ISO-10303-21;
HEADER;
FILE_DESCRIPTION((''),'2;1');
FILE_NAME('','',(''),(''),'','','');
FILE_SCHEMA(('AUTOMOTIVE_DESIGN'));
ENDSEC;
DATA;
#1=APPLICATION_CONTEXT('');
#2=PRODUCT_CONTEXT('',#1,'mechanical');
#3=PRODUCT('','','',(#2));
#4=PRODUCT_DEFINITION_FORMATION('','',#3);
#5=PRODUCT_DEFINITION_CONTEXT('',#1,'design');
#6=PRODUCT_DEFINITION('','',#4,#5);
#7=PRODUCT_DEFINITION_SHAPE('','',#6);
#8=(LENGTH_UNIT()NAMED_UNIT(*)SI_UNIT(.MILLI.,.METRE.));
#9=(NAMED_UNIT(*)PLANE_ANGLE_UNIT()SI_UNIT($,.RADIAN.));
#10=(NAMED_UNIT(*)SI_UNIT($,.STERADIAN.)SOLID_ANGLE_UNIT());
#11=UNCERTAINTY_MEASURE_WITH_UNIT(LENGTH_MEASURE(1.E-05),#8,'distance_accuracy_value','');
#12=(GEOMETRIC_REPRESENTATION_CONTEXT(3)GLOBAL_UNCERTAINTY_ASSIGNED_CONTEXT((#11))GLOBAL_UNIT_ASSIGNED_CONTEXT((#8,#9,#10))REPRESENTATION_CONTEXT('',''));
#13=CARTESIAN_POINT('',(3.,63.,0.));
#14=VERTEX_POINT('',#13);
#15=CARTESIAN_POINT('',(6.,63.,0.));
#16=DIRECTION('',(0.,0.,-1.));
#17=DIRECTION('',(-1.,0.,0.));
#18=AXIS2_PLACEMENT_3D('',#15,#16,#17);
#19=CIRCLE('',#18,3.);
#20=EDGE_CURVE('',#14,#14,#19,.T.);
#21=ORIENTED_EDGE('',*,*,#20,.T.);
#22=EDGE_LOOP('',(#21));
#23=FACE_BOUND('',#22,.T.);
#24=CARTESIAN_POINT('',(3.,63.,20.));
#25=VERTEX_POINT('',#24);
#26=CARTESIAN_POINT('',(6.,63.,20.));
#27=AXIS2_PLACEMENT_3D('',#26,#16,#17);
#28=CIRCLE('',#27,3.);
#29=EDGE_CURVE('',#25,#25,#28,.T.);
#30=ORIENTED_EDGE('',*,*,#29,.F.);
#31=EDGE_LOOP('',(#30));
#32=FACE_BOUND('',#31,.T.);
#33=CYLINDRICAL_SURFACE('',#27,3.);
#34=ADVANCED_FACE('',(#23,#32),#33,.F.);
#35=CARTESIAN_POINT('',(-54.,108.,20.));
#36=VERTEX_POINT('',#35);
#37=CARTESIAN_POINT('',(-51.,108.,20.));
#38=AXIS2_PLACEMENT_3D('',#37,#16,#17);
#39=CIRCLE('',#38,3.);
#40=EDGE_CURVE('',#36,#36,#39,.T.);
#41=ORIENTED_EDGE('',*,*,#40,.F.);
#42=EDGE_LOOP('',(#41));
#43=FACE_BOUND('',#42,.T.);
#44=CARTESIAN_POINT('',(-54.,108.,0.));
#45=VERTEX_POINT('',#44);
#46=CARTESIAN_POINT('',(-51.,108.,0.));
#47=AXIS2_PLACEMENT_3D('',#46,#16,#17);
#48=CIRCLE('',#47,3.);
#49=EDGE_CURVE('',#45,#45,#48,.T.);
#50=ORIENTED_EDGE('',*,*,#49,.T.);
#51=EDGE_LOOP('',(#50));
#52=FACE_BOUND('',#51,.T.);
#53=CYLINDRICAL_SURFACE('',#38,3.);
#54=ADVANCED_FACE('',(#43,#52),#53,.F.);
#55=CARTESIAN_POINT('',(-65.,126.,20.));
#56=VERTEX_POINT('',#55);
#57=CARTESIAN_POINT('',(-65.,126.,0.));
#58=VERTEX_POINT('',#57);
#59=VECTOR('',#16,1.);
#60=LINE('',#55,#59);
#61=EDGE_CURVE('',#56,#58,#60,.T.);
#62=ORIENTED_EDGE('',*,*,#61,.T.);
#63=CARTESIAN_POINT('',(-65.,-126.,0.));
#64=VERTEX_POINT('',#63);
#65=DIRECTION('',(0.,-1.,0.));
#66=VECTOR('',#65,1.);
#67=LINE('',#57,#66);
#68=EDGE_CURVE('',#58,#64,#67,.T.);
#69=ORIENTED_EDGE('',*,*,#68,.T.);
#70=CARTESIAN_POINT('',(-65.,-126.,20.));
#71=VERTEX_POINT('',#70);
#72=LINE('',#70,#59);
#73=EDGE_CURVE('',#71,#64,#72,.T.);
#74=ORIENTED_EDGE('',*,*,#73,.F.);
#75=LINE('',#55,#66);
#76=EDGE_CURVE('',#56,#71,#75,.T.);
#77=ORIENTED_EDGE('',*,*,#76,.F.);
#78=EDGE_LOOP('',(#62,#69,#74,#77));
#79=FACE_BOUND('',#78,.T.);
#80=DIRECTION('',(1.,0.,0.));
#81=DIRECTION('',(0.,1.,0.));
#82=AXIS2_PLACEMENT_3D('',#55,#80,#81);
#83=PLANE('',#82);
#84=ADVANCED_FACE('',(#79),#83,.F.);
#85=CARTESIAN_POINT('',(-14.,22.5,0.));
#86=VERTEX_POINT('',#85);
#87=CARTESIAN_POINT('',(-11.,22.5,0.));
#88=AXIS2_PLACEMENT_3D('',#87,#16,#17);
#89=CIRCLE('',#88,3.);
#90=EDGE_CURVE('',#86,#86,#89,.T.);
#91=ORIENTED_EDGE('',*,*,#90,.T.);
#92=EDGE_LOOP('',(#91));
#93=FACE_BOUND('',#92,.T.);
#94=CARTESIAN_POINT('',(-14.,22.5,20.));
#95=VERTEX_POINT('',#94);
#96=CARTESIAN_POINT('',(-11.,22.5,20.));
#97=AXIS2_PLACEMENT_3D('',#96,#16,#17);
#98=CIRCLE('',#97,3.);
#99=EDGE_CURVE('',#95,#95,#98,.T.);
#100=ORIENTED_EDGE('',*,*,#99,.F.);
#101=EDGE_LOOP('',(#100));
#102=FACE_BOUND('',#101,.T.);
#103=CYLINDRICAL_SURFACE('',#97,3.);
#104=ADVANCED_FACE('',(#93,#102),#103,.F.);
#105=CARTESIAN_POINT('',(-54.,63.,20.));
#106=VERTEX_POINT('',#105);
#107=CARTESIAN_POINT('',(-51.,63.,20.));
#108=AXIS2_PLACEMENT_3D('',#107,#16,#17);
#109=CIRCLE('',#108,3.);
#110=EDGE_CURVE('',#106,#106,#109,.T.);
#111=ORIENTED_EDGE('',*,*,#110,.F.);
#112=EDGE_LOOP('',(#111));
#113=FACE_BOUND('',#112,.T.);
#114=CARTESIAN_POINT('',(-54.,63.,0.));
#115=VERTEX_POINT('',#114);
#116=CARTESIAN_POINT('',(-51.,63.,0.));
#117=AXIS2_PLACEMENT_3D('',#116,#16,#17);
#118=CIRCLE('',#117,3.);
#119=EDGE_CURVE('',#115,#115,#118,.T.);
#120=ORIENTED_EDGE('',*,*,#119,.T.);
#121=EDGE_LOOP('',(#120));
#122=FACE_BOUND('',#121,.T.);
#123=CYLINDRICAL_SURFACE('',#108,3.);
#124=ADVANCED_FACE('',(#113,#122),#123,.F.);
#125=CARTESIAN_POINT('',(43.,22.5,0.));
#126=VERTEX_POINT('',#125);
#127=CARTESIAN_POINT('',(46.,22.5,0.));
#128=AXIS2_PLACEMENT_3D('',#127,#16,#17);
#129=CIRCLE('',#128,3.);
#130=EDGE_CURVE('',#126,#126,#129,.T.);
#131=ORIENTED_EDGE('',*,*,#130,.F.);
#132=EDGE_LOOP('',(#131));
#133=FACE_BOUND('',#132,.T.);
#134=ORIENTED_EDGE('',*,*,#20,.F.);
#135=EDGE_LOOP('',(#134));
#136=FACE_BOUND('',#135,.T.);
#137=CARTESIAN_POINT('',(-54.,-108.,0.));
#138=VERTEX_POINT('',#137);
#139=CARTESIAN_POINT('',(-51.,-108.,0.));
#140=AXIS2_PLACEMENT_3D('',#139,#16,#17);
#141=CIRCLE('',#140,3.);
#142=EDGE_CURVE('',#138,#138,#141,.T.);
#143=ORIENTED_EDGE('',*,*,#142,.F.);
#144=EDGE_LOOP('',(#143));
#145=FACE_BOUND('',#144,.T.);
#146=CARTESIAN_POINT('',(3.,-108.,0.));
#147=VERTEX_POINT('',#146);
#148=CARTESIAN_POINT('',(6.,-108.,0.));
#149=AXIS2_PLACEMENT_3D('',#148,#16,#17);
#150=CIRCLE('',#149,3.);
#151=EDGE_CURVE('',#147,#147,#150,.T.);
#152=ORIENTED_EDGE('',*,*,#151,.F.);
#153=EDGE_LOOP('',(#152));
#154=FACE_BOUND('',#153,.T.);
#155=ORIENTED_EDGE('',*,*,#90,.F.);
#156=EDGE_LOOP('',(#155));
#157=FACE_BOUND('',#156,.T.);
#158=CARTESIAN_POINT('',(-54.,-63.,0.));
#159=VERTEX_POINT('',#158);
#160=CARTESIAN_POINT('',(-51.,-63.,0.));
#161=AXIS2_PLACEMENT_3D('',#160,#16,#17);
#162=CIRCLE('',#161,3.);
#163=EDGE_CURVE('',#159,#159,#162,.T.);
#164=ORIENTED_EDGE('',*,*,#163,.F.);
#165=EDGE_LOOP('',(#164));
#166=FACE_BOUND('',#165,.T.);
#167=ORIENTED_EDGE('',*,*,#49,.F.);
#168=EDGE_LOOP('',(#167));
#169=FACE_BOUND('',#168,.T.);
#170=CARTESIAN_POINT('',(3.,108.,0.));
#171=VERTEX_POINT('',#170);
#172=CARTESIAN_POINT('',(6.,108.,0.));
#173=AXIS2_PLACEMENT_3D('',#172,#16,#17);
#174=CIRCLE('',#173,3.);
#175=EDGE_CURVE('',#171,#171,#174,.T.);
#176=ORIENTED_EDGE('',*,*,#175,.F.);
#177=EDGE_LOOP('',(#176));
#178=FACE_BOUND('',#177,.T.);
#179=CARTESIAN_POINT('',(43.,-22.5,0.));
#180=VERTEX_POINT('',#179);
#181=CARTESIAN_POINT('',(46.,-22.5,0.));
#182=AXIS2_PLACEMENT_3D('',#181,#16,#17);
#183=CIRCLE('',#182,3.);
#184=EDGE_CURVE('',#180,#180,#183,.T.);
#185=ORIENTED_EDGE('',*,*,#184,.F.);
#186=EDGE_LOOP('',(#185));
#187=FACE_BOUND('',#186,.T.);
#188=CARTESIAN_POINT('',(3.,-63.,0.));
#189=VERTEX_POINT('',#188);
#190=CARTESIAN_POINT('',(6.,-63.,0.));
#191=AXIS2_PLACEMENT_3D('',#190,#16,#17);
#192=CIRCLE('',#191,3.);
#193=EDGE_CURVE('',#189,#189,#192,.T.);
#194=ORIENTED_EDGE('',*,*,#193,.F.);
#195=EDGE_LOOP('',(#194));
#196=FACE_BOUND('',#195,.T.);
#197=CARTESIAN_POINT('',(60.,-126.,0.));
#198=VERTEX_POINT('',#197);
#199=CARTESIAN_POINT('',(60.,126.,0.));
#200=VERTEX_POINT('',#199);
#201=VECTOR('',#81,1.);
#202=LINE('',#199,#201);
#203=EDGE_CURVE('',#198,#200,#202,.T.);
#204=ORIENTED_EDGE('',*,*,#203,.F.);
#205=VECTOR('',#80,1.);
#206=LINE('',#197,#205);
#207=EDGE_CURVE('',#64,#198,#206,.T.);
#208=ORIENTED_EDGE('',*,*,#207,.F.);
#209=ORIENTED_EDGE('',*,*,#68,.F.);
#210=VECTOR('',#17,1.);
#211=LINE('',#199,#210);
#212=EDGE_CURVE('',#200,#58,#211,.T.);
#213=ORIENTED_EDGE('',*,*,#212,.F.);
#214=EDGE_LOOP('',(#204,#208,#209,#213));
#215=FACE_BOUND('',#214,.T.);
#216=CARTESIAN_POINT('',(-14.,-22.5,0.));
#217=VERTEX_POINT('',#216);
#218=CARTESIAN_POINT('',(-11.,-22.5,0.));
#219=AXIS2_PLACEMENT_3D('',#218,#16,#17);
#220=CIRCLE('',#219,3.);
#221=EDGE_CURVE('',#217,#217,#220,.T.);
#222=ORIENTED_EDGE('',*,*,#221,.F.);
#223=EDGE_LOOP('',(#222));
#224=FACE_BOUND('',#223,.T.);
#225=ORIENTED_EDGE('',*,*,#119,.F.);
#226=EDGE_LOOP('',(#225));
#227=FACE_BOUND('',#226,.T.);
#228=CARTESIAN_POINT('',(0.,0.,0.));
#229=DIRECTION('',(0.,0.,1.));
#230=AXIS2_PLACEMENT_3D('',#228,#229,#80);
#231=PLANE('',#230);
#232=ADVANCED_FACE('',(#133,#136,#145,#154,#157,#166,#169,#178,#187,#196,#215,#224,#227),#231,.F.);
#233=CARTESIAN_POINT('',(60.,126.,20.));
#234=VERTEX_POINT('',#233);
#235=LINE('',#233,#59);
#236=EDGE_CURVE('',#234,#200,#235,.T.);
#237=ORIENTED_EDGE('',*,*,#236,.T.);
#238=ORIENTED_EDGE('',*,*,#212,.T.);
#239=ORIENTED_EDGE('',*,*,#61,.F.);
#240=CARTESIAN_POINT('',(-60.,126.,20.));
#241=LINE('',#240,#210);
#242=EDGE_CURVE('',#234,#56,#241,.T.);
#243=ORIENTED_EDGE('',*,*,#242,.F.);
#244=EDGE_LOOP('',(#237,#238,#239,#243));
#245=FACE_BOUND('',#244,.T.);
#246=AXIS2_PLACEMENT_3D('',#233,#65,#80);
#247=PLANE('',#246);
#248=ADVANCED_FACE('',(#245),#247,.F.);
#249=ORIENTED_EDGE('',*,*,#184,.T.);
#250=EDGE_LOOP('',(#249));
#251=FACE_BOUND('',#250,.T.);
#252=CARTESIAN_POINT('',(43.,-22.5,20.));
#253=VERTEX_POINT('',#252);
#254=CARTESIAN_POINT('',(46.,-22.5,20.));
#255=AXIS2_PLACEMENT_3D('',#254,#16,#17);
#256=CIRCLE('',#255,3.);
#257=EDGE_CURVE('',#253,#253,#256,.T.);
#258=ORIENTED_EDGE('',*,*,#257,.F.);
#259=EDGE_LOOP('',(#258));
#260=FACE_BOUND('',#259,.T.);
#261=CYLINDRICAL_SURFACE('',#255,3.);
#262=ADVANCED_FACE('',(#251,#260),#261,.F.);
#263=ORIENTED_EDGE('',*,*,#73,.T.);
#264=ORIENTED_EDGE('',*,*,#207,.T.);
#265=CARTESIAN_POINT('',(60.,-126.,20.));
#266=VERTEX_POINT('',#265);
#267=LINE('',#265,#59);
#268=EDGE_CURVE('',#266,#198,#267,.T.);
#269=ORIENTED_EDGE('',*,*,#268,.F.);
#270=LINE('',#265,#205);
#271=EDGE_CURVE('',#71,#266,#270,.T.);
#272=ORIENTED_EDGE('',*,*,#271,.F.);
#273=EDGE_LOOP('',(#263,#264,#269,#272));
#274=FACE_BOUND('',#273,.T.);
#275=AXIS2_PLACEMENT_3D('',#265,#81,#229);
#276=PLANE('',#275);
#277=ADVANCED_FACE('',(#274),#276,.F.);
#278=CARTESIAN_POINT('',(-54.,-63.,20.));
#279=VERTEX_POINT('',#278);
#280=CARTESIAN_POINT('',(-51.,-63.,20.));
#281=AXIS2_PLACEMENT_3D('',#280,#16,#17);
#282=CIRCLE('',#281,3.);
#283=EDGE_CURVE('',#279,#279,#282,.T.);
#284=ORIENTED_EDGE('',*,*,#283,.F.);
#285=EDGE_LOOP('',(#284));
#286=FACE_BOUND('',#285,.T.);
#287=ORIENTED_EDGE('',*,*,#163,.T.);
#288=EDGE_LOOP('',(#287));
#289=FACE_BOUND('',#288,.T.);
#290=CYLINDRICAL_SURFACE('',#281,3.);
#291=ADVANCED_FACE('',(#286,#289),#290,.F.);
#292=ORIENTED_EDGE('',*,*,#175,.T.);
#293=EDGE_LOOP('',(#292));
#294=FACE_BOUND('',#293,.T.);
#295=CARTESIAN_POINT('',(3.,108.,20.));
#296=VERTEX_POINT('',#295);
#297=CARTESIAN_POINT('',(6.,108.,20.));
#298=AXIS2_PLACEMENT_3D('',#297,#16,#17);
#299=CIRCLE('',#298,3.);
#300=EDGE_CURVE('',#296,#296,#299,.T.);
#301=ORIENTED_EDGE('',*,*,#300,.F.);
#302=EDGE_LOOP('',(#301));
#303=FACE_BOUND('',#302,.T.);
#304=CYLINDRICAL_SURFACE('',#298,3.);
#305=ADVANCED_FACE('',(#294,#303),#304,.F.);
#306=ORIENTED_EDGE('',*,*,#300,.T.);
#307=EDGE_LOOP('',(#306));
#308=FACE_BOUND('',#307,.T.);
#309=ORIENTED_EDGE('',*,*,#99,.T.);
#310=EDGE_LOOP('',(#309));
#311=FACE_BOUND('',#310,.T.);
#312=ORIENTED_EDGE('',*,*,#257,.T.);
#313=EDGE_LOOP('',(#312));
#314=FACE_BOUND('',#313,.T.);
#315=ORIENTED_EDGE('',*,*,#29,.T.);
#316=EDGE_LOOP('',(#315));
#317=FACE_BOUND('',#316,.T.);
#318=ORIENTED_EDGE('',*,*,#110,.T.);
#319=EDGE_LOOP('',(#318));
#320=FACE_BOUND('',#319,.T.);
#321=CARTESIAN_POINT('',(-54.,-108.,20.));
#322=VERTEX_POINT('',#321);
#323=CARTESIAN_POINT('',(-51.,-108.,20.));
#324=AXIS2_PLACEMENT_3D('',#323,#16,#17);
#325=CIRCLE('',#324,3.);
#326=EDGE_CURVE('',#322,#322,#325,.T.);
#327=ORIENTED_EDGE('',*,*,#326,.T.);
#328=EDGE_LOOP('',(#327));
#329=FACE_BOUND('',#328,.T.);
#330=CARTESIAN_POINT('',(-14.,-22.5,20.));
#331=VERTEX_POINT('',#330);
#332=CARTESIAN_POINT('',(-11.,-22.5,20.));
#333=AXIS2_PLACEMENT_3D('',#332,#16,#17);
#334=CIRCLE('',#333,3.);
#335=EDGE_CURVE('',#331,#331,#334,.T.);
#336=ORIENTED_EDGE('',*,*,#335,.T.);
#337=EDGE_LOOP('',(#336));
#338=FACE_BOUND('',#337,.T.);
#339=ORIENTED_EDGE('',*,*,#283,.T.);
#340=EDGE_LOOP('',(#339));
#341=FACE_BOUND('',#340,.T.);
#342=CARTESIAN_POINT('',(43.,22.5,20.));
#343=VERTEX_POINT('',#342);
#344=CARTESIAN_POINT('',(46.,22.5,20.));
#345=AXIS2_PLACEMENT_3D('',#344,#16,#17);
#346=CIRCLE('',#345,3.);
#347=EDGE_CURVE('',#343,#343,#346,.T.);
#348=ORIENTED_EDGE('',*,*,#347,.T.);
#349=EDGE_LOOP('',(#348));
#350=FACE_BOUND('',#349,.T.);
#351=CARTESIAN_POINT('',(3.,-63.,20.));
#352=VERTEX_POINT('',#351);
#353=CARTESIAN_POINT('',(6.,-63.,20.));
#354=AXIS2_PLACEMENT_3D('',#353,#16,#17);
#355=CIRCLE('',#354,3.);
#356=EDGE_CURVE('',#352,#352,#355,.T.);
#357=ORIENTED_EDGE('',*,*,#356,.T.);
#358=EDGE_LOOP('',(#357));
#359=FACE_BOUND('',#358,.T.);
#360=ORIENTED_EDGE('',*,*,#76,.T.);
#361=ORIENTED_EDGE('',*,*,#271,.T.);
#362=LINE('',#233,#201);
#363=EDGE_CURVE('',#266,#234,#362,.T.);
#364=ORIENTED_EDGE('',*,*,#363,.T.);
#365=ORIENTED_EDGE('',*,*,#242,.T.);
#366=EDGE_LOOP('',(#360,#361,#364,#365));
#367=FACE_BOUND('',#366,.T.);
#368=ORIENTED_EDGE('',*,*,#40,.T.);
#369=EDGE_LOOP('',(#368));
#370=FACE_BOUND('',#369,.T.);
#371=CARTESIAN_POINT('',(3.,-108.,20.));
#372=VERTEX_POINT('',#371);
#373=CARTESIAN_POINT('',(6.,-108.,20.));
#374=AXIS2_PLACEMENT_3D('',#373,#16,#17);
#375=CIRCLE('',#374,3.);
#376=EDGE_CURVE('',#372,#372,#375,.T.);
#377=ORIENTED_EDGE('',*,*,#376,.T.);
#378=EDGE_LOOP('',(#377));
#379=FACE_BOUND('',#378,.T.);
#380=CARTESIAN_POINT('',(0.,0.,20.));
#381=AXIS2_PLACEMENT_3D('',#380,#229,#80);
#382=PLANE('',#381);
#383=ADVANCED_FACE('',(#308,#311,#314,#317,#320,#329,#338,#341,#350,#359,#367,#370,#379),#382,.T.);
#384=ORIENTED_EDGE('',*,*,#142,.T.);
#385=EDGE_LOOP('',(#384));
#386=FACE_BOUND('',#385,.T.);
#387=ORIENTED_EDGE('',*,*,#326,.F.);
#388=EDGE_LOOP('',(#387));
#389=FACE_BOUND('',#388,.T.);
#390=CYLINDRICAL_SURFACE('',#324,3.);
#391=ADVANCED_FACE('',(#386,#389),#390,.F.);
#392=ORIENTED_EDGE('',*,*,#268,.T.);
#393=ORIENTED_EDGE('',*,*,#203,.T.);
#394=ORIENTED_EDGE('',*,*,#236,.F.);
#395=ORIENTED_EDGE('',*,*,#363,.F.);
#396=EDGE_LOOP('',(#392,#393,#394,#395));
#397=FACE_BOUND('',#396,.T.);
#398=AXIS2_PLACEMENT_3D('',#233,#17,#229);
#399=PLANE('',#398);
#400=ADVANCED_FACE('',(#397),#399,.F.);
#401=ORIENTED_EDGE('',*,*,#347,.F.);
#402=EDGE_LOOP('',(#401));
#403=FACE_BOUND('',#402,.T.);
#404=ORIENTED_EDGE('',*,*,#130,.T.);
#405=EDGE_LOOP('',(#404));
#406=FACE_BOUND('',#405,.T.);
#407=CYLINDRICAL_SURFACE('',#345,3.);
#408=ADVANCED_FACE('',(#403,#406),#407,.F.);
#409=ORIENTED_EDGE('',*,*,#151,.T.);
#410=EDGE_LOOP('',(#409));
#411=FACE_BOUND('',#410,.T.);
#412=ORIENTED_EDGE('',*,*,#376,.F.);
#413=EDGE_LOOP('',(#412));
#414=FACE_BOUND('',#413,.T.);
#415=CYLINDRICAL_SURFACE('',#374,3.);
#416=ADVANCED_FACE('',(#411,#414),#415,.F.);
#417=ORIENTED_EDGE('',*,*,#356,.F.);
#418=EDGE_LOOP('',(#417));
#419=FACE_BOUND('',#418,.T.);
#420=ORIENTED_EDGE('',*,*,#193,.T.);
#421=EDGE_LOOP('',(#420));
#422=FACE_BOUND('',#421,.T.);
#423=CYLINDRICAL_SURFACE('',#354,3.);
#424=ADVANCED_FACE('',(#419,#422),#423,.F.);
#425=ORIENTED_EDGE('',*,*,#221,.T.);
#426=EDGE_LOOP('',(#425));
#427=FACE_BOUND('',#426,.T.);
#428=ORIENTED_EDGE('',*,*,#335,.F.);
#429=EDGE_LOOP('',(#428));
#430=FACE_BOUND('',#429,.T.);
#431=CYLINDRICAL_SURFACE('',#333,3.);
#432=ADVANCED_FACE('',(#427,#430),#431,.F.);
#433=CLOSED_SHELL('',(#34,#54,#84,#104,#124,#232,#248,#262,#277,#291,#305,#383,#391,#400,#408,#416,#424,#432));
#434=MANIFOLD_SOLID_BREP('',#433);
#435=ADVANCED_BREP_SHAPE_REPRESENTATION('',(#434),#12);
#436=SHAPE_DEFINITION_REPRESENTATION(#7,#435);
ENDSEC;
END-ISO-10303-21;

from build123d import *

# Parameters (mm, degrees)
ESTRUSIONE_ESTRUSIONE1_DEPTH = 20
SCHIZZO5_R                   = 3
TAGLIO_ESTRUSIONE1_DEPTH     = 144.181702742


with BuildPart() as part:
    # Schizzo1 → Estrusione-Estrusione1 (new body)
    with BuildSketch(Plane.XY):
        Polygon((60, 126), (60, -126), (-65, -126), (-65, 126), (-60, 126), align=None)
    extrude(amount=ESTRUSIONE_ESTRUSIONE1_DEPTH)

    # Schizzo5 → Taglio-Estrusione1 (cut, through all)
    with BuildSketch(Plane(origin=(0, 0, 0), x_dir=(-1, 0, 0), z_dir=(0, 0, -1))):
        with Locations((51, 108)):
            Circle(SCHIZZO5_R)
        with Locations((51, 63)):
            Circle(SCHIZZO5_R)
        with Locations((-6, 108)):
            Circle(SCHIZZO5_R)
        with Locations((-6, 63)):
            Circle(SCHIZZO5_R)
        with Locations((11.000000001, 22.499999999)):
            Circle(SCHIZZO5_R)
        with Locations((11.000000001, -22.500000001)):
            Circle(SCHIZZO5_R)
        with Locations((-45.999999999, 22.499999999)):
            Circle(SCHIZZO5_R)
        with Locations((-45.999999999, -22.500000001)):
            Circle(SCHIZZO5_R)
        with Locations((-6, -63)):
            Circle(SCHIZZO5_R)
        with Locations((-6, -108)):
            Circle(SCHIZZO5_R)
        with Locations((51, -63)):
            Circle(SCHIZZO5_R)
        with Locations((51, -108)):
            Circle(SCHIZZO5_R)
    extrude(amount=-TAGLIO_ESTRUSIONE1_DEPTH, mode=Mode.SUBTRACT)


solid = part.part
